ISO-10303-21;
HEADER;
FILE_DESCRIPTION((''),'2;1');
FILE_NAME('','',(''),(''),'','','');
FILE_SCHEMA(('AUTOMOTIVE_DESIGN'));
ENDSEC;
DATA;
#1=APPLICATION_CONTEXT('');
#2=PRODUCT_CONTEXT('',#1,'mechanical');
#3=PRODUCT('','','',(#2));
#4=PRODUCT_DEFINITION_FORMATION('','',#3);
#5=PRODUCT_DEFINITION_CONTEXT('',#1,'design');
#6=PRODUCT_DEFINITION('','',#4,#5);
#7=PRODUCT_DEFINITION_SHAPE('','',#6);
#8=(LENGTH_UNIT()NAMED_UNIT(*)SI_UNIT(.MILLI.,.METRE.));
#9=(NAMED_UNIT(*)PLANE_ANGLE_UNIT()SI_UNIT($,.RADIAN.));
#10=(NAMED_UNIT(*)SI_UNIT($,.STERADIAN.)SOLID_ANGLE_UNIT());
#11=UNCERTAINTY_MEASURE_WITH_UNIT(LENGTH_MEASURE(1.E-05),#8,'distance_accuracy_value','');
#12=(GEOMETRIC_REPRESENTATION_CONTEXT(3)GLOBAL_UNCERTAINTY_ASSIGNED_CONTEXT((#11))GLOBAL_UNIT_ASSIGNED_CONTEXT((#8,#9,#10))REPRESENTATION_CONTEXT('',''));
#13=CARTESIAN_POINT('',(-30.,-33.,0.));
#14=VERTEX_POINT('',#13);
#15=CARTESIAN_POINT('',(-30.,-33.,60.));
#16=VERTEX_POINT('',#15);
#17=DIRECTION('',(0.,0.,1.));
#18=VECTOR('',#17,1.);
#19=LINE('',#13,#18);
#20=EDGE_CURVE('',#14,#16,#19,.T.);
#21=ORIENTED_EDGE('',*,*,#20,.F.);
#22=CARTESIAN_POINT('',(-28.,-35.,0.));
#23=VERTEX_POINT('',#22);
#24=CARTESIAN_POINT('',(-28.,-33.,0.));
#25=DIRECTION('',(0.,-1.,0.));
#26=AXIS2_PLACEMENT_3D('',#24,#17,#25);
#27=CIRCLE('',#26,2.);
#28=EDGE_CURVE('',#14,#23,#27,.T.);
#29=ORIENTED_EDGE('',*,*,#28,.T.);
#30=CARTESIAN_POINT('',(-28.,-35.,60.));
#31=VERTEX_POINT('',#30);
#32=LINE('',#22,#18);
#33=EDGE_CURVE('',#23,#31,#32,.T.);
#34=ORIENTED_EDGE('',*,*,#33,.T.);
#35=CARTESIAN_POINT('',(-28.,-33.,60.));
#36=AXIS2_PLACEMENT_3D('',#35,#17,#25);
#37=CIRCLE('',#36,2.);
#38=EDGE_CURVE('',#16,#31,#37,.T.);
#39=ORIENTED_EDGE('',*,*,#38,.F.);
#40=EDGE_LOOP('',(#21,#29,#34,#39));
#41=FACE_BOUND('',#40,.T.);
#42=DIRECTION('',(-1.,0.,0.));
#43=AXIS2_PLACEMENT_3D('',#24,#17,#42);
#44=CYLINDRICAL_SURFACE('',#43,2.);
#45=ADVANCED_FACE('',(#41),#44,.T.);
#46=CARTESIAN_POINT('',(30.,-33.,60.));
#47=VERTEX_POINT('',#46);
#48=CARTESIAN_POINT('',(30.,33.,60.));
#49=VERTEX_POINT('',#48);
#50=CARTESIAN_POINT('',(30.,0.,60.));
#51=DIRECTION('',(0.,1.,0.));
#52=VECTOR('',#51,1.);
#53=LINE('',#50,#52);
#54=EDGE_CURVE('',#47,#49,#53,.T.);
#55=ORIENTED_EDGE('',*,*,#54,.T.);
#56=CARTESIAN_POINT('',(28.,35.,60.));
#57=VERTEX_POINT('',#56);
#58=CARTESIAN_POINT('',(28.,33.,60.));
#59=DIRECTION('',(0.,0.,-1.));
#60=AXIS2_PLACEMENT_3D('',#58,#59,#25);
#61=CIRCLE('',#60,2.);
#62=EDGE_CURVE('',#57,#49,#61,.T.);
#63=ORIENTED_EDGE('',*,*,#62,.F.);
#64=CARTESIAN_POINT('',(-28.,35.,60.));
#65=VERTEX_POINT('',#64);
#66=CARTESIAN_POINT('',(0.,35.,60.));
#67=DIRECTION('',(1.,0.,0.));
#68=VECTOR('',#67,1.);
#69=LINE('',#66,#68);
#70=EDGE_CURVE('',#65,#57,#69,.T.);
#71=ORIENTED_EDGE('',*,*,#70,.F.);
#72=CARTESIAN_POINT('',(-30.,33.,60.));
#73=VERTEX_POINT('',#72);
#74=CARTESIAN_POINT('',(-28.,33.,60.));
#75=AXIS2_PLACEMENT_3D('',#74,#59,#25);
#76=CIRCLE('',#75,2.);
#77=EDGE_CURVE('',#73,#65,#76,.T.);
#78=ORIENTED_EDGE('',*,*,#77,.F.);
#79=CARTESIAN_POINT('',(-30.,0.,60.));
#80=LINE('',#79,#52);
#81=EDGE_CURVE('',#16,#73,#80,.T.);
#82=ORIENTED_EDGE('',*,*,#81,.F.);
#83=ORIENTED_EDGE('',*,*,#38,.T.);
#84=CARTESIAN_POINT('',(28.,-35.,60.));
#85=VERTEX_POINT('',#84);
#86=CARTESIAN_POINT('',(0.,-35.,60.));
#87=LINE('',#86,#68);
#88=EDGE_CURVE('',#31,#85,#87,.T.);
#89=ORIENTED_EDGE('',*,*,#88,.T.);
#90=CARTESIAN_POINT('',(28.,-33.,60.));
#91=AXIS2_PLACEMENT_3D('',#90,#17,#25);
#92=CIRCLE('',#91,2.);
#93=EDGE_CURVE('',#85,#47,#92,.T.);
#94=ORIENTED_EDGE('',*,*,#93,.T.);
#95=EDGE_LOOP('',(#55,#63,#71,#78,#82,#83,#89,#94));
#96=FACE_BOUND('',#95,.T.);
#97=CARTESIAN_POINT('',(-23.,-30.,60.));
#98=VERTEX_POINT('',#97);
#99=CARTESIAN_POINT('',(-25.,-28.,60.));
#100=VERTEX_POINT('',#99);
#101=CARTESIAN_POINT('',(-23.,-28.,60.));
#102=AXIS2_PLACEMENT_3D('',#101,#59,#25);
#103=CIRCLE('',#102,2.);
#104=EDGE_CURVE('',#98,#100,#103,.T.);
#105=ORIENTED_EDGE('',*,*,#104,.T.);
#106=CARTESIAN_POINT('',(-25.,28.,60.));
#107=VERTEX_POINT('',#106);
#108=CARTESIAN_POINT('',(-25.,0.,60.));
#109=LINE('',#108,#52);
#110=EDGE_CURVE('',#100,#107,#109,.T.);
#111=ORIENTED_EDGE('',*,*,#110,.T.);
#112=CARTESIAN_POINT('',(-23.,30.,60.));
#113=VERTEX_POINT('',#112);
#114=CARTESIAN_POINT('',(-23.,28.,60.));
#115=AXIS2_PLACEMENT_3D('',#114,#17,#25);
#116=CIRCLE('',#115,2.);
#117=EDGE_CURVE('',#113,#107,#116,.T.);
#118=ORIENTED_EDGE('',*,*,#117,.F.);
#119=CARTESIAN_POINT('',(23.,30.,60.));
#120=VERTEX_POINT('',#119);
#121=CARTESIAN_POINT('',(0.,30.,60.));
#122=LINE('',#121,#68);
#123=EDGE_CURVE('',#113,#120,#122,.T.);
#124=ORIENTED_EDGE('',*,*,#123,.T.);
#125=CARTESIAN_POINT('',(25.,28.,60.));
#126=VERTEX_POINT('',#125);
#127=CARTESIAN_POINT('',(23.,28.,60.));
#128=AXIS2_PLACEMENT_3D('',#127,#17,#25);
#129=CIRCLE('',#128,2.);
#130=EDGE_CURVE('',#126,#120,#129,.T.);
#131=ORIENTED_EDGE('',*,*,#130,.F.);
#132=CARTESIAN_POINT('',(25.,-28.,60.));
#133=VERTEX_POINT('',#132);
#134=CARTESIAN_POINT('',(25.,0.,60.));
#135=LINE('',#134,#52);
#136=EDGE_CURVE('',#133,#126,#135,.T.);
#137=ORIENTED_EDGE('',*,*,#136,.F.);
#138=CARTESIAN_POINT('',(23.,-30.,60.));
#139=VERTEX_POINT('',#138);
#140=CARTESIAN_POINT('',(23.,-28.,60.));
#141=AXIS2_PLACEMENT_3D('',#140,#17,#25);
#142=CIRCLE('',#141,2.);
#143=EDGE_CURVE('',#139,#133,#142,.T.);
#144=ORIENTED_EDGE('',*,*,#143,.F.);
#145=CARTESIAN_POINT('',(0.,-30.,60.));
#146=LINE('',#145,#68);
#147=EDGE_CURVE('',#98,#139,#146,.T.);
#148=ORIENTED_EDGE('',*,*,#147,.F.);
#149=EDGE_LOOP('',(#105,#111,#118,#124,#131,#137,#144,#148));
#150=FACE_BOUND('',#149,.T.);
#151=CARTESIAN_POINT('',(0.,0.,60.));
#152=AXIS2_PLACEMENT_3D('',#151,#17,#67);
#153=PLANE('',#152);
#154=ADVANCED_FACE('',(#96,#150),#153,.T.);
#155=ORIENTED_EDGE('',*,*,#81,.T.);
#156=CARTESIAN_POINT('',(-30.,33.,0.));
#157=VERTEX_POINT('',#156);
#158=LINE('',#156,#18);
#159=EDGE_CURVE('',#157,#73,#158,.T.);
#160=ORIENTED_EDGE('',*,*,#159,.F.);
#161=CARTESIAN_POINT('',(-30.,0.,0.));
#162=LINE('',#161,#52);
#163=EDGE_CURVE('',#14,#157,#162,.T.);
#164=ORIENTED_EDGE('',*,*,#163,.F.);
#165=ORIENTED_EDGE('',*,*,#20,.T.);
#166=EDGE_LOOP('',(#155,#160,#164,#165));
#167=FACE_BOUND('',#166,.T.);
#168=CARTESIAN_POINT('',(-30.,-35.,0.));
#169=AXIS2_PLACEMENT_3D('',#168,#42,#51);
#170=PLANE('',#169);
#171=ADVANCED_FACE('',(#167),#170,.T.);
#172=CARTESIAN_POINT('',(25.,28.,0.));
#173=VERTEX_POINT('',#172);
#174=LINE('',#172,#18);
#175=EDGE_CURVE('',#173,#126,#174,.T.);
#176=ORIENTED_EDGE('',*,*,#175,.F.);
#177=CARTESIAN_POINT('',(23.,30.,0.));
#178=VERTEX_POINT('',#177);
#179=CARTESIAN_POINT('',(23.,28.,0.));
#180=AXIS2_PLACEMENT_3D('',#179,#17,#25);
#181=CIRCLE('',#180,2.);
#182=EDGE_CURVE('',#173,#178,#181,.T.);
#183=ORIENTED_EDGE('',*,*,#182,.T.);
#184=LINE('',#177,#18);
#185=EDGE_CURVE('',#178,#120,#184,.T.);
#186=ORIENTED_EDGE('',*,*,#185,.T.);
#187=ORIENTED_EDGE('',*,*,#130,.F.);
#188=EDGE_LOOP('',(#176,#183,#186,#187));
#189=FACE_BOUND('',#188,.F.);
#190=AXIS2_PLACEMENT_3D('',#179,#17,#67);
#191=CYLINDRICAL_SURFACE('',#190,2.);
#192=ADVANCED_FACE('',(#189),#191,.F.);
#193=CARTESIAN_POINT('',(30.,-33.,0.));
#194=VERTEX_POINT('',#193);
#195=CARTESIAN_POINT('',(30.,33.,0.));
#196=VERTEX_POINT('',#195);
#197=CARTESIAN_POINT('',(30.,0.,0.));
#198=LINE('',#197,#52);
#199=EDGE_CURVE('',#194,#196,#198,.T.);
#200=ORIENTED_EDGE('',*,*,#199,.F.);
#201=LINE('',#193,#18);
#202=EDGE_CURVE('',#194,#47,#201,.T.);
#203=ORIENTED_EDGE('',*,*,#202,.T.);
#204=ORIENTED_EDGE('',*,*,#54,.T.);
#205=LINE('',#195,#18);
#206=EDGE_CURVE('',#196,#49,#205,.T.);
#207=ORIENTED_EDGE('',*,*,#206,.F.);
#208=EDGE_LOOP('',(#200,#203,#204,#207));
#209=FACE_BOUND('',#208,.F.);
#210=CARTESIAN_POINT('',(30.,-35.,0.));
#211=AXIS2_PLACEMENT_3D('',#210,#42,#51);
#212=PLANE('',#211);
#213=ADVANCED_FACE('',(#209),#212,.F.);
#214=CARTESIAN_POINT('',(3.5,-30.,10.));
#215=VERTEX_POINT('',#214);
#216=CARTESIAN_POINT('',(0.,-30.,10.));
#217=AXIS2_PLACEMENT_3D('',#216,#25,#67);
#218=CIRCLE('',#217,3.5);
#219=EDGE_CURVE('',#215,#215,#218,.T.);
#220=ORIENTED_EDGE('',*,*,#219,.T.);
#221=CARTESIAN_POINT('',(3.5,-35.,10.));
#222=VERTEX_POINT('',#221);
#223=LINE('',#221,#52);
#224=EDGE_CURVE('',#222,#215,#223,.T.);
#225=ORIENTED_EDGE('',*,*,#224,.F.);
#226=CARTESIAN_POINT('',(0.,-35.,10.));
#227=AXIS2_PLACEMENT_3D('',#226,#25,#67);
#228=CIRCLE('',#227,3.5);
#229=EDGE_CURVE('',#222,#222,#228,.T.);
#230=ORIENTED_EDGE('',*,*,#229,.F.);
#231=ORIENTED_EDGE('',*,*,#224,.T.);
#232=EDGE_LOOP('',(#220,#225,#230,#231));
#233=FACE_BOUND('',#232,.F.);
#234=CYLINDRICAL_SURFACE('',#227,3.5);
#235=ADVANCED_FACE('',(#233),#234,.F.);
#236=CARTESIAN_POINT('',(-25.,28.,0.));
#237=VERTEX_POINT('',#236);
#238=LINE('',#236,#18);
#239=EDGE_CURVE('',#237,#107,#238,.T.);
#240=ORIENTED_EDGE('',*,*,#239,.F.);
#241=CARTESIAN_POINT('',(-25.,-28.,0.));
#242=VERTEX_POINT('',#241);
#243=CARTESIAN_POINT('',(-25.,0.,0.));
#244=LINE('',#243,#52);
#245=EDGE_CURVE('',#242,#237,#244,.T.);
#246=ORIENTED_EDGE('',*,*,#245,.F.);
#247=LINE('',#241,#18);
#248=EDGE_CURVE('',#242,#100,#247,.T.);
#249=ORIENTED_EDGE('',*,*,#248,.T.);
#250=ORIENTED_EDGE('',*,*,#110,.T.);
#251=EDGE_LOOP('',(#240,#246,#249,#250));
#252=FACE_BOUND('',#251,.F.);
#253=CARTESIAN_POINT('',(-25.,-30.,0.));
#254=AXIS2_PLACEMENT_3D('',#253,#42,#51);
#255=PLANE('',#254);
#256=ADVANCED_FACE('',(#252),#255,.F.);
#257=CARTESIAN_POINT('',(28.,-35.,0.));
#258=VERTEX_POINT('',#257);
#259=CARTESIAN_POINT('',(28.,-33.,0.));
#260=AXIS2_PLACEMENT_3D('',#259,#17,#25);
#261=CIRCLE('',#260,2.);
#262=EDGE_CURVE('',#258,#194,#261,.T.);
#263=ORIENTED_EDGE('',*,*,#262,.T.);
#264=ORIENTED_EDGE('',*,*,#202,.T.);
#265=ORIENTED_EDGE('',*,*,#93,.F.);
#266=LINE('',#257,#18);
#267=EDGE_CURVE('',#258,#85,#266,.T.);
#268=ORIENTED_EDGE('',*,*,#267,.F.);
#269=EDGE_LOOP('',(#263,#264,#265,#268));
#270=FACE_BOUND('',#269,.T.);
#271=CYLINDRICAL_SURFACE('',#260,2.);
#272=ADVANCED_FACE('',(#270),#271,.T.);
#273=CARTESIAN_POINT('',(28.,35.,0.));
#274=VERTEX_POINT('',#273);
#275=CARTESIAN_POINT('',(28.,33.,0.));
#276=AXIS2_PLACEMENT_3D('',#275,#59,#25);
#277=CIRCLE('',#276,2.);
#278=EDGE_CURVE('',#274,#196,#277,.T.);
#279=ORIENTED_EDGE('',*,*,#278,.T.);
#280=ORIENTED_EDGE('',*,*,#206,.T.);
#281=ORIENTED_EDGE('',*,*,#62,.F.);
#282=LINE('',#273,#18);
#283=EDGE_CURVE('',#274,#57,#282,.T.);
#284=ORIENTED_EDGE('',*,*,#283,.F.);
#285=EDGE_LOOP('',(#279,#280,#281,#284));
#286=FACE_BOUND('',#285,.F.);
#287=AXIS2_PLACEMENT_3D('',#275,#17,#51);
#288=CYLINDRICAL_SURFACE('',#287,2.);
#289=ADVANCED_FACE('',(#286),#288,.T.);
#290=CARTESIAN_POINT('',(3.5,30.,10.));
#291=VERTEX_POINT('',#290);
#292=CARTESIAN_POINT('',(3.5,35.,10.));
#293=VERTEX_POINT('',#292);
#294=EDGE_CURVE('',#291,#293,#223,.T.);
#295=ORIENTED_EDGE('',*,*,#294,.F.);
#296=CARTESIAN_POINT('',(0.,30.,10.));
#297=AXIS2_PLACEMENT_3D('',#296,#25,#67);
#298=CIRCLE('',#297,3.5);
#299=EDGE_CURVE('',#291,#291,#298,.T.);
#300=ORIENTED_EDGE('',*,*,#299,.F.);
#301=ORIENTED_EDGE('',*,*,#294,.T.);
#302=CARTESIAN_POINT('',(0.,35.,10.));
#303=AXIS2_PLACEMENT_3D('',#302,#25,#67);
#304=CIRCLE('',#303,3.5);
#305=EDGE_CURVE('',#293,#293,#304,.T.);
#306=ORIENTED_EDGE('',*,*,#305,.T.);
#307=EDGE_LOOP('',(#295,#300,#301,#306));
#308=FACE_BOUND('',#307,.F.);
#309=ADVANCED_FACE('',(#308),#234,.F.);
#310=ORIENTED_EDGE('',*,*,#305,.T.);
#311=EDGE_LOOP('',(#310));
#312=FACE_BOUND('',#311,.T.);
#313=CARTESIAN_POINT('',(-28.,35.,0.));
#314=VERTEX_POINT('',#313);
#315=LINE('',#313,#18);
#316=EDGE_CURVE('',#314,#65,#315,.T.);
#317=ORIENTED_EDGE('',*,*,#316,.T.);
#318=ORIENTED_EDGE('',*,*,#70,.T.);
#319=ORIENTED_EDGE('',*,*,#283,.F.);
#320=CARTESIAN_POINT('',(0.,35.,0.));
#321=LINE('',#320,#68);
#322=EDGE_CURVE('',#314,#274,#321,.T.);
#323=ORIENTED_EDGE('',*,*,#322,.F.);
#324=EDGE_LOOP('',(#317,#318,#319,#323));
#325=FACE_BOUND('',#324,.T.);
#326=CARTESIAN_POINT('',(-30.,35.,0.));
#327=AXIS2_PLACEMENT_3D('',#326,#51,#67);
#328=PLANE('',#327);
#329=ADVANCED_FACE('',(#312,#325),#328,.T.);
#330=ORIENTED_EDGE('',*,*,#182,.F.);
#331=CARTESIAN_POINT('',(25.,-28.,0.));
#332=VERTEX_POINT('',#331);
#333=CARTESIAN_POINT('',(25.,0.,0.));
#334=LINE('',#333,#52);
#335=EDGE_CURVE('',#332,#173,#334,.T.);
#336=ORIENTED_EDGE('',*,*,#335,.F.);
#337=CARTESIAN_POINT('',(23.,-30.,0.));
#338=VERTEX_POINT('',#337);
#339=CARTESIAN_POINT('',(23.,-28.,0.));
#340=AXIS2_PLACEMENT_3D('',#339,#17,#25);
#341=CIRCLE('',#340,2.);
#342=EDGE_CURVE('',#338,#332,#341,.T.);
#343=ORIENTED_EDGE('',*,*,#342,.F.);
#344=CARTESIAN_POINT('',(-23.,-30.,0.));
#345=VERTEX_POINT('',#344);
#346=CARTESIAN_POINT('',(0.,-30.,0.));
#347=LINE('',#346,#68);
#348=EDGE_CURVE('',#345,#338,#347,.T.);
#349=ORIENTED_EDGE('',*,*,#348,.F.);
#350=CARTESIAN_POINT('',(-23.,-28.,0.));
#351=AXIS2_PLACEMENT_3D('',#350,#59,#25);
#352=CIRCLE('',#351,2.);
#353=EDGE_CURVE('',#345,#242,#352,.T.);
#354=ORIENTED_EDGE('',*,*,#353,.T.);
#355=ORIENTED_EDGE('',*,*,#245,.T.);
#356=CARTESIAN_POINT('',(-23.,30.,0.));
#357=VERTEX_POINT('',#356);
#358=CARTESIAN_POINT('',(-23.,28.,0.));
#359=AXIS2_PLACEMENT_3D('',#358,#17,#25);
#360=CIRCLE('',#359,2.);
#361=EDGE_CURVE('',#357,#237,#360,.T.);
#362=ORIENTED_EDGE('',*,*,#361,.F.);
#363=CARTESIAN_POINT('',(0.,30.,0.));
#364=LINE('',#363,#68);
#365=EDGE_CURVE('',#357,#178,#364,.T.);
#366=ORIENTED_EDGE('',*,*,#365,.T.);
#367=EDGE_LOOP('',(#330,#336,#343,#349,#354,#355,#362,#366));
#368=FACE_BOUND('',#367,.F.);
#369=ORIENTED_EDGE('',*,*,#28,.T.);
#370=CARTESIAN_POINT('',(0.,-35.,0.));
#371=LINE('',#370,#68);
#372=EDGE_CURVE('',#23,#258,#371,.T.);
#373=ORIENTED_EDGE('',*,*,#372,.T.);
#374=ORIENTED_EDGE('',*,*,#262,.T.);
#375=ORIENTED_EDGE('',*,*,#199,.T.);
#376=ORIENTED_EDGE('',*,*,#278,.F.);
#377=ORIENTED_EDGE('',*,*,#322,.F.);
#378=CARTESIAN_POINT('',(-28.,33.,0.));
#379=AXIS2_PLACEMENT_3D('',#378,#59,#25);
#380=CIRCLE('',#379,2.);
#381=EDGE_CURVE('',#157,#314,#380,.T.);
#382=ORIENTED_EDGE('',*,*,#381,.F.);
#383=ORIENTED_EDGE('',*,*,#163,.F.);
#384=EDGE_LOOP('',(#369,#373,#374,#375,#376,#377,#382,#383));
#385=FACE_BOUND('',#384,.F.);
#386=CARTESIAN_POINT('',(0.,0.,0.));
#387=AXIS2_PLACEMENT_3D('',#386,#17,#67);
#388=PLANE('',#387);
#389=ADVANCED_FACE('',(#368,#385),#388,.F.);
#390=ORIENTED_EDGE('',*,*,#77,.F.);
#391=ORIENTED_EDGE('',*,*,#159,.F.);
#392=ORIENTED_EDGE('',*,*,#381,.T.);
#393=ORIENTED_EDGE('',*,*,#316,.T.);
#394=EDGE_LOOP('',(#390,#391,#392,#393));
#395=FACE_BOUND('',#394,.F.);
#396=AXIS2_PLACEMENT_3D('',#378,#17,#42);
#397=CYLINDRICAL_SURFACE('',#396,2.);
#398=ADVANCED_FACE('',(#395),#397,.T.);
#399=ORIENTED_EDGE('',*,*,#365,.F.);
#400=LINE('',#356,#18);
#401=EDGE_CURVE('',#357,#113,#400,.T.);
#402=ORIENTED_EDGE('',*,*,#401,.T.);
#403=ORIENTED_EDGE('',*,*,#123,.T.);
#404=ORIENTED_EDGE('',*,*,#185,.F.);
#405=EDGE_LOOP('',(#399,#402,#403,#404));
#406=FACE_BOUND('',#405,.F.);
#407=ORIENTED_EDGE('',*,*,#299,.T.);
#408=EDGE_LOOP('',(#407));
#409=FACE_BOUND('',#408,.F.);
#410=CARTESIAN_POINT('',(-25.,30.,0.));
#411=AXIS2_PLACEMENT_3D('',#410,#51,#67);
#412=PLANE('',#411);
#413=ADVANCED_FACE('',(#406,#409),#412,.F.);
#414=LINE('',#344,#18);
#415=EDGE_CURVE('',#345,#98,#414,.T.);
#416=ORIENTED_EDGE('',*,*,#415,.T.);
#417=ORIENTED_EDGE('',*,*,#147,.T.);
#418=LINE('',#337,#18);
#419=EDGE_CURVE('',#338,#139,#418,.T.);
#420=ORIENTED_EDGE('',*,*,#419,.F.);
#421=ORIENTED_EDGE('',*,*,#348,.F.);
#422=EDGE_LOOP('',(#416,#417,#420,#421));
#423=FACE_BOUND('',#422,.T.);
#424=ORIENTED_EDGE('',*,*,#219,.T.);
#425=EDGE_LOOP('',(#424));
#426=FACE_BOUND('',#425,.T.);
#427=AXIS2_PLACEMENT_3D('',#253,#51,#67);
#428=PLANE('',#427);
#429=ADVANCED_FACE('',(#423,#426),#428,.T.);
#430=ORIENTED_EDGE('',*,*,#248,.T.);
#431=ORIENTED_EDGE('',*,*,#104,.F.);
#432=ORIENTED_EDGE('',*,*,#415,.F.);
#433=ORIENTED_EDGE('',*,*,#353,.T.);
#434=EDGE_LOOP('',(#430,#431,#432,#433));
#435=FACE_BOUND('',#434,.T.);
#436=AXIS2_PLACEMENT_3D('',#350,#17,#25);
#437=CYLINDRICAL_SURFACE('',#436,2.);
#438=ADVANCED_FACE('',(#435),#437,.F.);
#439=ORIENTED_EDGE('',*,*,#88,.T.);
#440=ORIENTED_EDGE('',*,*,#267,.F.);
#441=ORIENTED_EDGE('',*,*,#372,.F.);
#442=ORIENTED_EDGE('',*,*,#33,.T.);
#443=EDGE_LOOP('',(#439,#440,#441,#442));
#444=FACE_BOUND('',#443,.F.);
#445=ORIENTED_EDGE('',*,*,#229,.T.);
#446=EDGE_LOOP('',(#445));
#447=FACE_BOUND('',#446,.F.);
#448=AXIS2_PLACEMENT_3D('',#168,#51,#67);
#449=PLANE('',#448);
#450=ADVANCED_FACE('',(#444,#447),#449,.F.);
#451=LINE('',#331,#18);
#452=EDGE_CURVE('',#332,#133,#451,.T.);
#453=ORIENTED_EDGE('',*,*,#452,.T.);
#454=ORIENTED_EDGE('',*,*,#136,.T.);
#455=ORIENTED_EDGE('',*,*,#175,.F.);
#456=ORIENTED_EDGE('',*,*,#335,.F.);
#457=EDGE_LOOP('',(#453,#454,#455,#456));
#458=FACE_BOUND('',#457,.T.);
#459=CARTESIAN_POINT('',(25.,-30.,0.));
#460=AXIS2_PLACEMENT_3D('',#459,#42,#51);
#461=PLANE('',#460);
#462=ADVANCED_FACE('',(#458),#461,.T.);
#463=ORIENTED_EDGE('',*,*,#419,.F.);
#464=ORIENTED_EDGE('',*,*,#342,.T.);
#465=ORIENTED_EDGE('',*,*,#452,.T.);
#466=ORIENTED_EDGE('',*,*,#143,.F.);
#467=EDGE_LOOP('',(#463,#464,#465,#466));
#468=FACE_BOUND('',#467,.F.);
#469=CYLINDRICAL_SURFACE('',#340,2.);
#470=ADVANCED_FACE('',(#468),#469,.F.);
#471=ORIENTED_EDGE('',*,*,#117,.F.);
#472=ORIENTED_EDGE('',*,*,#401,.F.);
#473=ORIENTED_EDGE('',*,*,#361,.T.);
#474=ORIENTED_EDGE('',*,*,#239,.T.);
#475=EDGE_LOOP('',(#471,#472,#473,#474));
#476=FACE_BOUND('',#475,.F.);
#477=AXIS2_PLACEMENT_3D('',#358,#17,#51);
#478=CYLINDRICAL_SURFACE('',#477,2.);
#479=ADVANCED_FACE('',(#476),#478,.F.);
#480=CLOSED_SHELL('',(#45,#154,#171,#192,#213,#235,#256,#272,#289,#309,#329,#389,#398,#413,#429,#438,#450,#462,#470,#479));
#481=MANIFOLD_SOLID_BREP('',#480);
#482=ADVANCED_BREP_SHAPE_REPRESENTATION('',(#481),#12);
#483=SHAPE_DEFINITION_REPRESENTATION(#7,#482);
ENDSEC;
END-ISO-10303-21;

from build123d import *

# Parameters (mm, degrees)
F0_W     = 60
F0_H     = 70
F0_W_2   = 50
F0_H_2   = 60
F1_DEPTH = 60
F2_R     = 2
F3_R     = 3.5
F4_DEPTH = 70


with BuildPart() as f1:
    # F0 (on Top) → F1 (new body)
    with BuildSketch(Plane.XY):
        Rectangle(F0_W, F0_H)
        Rectangle(F0_W_2, F0_H_2, mode=Mode.SUBTRACT)
    extrude(amount=F1_DEPTH)

    # F2
    f2_edges = [f1.edges().sort_by_distance(p)[0] for p in [
        (-30, 35, 30),
        (30, 35, 30),
        (30, -35, 30),
        (-30, -35, 30),
        (-25, 30, 30),
        (-25, -30, 30),
        (25, -30, 30),
        (25, 30, 30),
    ]]
    fillet(f2_edges, radius=F2_R)

    # F3 (on face) → F4 (cut)
    with BuildSketch(Plane.XZ.offset(35)):
        with Locations((0, 10)):
            Circle(F3_R)
    extrude(amount=-F4_DEPTH, mode=Mode.SUBTRACT)


solid = f1.part
